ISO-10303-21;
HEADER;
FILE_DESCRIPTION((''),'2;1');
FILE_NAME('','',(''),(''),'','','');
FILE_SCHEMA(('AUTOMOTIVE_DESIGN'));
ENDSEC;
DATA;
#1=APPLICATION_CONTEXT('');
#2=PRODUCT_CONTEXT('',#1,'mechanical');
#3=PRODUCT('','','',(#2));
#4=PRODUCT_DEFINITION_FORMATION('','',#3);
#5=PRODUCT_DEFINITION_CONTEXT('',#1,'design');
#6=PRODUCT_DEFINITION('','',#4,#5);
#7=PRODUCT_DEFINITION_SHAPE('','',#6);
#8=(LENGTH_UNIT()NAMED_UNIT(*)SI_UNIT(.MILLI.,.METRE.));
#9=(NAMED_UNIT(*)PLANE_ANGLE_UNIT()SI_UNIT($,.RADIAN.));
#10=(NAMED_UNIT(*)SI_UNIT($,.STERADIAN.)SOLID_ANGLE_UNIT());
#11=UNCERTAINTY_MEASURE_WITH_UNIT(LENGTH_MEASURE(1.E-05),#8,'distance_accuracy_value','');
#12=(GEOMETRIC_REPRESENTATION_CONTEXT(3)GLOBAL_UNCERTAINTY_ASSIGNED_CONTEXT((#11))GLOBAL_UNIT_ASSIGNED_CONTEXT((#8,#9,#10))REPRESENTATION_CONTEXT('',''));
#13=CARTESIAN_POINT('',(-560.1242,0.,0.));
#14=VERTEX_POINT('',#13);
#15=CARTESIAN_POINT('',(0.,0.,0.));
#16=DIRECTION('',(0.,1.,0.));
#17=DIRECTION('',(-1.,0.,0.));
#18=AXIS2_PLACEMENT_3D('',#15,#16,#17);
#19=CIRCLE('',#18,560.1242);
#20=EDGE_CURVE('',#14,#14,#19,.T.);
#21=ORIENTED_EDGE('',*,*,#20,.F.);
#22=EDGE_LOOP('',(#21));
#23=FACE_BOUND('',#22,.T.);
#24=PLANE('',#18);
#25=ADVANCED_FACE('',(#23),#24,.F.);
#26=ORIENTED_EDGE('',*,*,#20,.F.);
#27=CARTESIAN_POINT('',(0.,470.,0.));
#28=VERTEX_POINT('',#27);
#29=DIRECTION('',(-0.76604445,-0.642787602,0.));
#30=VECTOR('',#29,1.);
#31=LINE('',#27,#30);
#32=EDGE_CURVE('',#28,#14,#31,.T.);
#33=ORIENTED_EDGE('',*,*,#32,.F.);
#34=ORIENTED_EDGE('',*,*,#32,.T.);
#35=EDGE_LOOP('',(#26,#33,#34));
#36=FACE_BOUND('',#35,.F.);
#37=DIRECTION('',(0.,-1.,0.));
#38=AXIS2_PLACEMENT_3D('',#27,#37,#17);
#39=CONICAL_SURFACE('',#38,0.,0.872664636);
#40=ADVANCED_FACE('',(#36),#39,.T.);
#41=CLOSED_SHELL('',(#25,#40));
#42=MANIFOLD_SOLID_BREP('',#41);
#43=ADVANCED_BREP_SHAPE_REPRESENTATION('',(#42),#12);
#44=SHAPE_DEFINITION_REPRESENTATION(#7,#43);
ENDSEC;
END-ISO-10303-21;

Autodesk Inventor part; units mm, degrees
ref_plane "YZ Plane" through (0, 0, 0) normal (1, 0, 0) x (0, 1, 0)
ref_plane "XZ Plane" through (0, 0, 0) normal (0, 1, 0) x (-1, 0, 0)
ref_plane "XY Plane" through (0, 0, 0) normal (0, 0, 1) x (1, 0, 0)
sketch "Skizze6" plane through (0, 0, 0) normal (0, 0, 1) x (1, 0, 0)
  line L0 (0, 470) -> (-560.1242, 0)
  line L1 (0, 0) -> (-560.1242, 0)
  line L2 (0, 470) -> (0, 0)
  line L3 (0, -94) -> (0, 564) construction
  dimension "d3" = 50
  dimension "d6" = 470
revolve "Umdrehung1" add sketch "Skizze6" angle 360 about axis through (0, -10, 0) along (0, 1, 0)
properties part number "Viewcone"
